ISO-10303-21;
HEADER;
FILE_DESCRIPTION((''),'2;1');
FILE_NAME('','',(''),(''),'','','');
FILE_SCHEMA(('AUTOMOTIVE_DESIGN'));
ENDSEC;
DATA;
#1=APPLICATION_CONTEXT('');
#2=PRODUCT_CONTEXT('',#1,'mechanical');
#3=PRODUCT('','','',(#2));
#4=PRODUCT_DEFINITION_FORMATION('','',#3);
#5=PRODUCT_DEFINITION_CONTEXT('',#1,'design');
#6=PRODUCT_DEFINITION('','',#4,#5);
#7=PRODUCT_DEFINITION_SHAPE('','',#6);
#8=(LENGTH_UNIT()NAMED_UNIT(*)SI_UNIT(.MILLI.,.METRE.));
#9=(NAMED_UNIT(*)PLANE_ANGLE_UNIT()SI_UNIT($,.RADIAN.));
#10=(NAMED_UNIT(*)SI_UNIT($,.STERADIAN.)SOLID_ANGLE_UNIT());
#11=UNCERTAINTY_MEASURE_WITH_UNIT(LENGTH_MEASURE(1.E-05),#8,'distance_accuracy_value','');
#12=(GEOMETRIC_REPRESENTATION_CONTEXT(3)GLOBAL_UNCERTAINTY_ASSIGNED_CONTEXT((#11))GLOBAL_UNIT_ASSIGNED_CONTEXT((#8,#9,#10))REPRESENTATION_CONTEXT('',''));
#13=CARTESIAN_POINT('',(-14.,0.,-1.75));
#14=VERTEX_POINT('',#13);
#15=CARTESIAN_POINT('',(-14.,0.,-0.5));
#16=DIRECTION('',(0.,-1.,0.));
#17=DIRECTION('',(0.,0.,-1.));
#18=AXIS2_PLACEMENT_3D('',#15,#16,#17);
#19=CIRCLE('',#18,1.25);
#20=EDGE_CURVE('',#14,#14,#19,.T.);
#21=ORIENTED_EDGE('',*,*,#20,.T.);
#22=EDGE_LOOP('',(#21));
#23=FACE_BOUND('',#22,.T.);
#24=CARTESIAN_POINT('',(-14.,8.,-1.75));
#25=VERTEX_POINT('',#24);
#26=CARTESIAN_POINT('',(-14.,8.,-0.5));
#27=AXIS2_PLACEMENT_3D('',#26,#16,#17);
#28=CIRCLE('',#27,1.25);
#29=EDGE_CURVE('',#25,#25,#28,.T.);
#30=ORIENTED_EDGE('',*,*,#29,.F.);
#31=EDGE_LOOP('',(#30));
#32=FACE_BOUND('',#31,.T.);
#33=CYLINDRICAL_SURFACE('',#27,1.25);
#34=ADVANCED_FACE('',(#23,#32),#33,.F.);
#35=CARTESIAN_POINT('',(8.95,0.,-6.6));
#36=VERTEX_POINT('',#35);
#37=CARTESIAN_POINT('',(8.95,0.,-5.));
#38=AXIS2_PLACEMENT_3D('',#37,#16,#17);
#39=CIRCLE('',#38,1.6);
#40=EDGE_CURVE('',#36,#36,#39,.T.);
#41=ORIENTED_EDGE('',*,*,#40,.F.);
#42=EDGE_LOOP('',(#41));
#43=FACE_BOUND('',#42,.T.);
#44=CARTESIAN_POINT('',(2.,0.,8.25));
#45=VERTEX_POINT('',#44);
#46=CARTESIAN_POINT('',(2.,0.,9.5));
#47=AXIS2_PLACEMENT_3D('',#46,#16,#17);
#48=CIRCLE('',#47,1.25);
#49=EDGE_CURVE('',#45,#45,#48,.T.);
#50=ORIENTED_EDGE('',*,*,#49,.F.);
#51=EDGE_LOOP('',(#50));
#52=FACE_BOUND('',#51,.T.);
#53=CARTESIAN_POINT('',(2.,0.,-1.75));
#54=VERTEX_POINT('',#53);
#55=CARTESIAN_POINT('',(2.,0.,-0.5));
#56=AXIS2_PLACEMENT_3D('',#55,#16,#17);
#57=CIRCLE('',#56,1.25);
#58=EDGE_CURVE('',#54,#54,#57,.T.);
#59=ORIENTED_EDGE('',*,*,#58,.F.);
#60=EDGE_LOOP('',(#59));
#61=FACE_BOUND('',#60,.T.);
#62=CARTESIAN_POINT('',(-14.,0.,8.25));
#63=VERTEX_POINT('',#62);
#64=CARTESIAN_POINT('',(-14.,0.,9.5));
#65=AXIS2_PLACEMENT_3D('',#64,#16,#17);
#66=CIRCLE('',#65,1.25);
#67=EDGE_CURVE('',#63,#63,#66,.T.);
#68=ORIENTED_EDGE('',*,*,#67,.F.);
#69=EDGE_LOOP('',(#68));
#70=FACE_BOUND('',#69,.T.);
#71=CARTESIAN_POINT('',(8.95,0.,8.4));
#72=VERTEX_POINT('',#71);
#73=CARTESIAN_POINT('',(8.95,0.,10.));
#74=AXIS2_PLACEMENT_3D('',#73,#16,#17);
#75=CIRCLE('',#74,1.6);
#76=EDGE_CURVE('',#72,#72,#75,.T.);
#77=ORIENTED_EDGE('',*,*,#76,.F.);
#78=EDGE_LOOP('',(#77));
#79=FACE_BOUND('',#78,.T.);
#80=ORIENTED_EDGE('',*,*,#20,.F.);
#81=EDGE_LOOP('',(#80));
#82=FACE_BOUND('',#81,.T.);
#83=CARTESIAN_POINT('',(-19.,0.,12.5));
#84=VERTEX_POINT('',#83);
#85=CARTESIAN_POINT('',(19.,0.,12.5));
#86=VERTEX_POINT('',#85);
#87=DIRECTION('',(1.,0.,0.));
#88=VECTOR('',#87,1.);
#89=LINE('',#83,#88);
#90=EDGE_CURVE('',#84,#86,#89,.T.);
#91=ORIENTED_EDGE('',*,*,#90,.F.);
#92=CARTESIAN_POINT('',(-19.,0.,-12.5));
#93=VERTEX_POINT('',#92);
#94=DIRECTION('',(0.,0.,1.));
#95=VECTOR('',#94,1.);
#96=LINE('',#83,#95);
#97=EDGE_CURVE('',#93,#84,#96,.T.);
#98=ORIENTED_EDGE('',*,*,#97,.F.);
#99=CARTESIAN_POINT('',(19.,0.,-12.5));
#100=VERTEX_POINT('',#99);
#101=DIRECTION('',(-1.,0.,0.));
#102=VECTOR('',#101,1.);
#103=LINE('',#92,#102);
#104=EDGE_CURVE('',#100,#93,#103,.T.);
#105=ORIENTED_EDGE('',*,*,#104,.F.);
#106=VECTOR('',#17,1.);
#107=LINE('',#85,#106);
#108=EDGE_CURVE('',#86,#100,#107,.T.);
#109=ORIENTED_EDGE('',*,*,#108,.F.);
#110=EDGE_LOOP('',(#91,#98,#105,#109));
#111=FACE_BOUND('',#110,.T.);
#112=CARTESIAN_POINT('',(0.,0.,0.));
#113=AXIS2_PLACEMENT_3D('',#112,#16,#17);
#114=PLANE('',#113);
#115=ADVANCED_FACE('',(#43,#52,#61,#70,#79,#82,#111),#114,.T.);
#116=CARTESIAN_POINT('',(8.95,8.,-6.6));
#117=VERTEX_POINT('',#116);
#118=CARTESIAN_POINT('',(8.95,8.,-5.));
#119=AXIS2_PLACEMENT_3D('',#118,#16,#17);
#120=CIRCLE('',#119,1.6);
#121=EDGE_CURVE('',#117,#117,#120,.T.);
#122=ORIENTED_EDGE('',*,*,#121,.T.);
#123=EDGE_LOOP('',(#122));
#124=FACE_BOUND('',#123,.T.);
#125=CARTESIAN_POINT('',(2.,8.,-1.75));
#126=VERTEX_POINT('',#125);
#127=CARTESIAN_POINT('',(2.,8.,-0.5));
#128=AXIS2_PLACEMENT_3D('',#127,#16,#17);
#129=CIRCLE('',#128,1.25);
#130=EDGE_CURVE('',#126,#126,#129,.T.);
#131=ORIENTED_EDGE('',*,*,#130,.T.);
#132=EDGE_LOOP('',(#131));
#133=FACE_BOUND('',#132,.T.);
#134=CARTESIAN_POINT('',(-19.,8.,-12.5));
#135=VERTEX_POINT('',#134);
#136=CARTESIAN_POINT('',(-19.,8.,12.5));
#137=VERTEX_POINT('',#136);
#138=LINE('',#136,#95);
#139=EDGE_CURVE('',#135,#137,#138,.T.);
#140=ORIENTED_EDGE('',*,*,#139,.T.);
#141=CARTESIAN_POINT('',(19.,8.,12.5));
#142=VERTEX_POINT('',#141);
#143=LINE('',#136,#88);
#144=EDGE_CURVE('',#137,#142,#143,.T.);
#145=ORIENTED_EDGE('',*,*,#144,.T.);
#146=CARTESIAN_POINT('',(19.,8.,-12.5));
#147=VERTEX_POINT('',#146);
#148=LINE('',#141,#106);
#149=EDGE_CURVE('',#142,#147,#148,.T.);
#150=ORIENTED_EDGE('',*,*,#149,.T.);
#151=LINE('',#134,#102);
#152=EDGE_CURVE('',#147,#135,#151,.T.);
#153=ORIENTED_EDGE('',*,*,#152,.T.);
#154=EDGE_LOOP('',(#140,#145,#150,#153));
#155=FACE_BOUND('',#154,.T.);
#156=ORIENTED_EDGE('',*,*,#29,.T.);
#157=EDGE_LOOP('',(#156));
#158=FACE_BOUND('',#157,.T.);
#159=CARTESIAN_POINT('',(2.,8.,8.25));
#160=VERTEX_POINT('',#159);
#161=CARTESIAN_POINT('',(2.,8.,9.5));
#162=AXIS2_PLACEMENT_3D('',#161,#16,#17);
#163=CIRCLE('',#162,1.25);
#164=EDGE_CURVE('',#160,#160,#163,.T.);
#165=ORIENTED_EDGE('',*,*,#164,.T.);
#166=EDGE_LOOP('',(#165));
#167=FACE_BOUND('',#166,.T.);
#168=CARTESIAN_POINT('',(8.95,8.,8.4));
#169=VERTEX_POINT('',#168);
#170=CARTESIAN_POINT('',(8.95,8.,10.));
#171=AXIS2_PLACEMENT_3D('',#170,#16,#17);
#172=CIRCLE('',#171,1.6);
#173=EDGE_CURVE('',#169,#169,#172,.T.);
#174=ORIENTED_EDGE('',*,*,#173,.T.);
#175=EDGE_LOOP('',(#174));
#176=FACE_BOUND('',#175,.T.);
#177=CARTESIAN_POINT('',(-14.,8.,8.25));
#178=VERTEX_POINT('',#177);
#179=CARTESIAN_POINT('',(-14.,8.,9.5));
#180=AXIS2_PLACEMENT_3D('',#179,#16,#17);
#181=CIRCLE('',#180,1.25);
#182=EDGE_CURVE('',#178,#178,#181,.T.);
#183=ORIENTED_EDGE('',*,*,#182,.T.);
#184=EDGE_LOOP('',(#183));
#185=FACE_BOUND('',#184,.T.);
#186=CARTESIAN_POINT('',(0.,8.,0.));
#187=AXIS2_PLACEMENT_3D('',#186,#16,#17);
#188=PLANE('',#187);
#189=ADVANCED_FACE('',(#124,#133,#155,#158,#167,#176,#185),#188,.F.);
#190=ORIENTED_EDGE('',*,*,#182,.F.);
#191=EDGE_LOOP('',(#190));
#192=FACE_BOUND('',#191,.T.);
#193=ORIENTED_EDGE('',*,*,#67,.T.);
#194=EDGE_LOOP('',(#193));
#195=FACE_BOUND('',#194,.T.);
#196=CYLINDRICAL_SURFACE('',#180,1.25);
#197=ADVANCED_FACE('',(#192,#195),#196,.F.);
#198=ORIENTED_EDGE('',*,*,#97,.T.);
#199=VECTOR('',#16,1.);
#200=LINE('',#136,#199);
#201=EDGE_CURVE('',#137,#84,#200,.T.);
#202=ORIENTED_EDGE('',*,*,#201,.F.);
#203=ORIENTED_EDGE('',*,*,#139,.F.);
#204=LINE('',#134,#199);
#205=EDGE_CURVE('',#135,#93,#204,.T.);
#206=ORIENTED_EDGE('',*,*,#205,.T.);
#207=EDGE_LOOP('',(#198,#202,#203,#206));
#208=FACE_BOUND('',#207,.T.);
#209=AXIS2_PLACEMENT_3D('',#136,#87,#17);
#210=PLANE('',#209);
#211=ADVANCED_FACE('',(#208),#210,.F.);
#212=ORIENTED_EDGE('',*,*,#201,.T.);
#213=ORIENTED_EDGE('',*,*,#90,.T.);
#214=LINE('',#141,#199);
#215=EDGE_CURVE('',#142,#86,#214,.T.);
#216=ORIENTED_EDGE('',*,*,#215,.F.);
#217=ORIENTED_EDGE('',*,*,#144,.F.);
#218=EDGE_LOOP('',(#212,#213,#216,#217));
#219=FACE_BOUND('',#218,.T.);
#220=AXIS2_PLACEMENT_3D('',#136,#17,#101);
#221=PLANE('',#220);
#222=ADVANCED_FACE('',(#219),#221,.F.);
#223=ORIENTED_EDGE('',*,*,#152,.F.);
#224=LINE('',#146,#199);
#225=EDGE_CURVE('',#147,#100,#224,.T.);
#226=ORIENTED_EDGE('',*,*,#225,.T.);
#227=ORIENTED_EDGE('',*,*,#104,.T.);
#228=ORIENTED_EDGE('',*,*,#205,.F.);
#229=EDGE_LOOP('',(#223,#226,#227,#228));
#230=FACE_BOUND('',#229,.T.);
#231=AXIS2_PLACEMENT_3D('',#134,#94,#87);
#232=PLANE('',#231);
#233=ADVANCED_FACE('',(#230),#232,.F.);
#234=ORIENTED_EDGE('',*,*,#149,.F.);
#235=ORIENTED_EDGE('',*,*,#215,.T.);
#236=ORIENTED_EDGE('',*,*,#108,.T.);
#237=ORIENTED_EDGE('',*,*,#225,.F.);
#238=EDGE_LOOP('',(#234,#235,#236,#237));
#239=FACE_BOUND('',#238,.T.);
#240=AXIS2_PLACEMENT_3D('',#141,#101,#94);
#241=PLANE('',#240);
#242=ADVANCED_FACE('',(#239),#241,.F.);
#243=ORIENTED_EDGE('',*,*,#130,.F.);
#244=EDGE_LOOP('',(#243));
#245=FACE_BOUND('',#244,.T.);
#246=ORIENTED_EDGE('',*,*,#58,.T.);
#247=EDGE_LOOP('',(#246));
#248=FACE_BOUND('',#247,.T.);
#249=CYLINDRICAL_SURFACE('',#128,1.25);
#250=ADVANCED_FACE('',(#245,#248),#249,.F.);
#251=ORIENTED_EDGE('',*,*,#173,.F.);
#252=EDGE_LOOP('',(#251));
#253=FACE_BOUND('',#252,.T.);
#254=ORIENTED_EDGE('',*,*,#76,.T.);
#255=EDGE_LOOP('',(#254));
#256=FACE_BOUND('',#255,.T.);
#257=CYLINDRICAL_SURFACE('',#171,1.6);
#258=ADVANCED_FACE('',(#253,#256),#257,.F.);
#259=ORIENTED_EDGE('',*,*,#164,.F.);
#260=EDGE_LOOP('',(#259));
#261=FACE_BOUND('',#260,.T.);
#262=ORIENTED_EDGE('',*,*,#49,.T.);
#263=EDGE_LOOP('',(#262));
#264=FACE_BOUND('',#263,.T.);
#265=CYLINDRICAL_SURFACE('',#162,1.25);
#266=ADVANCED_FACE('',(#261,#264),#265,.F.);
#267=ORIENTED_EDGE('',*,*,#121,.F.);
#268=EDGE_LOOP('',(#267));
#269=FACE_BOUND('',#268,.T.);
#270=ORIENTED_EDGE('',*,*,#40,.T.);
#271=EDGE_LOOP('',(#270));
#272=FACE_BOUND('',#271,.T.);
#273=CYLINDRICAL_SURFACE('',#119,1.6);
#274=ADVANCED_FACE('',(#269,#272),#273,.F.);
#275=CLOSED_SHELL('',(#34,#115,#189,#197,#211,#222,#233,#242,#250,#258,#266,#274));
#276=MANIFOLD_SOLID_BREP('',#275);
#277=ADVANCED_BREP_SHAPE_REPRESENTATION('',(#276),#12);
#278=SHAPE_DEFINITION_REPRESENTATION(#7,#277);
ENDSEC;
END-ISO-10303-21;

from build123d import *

# Parameters (mm, degrees)
SKETCH_1_W          = 38
SKETCH_1_H          = 25
EXTRUDE_1_DEPTH     = 8
SKETCH_2_R          = 1.25
CUT_EXTRUDE_1_DEPTH = 25.109126902
SKETCH_4_R          = 1.6
CUT_EXTRUDE_2_DEPTH = 25.109126902


with BuildPart() as part:
    # 草图1 → 凸台-拉伸1 (new body)
    with BuildSketch(Plane(origin=(0, 0, 0), x_dir=(1, 0, 0), z_dir=(0, 1, 0))):
        Rectangle(SKETCH_1_W, SKETCH_1_H)
    extrude(amount=EXTRUDE_1_DEPTH)

    # 草图2 → 切除-拉伸1 (cut, through all)
    with BuildSketch(Plane.XZ):
        with Locations(Location((2, 9.5, 0), (0, 0, 270))):
            Circle(SKETCH_2_R)
        with Locations(Location((2, -0.5, 0), (0, 0, 270))):
            Circle(SKETCH_2_R)
        with Locations(Location((-14, 9.5, 0), (0, 0, 270))):
            Circle(SKETCH_2_R)
        with Locations(Location((-14, -0.5, 0), (0, 0, 270))):
            Circle(SKETCH_2_R)
    extrude(amount=-CUT_EXTRUDE_1_DEPTH, mode=Mode.SUBTRACT)

    # 草图4 → 切除-拉伸2 (cut, through all)
    with BuildSketch(Plane.XZ):
        with Locations(Location((8.95, 10, 0), (0, 0, 270))):
            Circle(SKETCH_4_R)
        with Locations(Location((8.95, -5, 0), (0, 0, 270))):
            Circle(SKETCH_4_R)
    extrude(amount=-CUT_EXTRUDE_2_DEPTH, mode=Mode.SUBTRACT)


solid = part.part
